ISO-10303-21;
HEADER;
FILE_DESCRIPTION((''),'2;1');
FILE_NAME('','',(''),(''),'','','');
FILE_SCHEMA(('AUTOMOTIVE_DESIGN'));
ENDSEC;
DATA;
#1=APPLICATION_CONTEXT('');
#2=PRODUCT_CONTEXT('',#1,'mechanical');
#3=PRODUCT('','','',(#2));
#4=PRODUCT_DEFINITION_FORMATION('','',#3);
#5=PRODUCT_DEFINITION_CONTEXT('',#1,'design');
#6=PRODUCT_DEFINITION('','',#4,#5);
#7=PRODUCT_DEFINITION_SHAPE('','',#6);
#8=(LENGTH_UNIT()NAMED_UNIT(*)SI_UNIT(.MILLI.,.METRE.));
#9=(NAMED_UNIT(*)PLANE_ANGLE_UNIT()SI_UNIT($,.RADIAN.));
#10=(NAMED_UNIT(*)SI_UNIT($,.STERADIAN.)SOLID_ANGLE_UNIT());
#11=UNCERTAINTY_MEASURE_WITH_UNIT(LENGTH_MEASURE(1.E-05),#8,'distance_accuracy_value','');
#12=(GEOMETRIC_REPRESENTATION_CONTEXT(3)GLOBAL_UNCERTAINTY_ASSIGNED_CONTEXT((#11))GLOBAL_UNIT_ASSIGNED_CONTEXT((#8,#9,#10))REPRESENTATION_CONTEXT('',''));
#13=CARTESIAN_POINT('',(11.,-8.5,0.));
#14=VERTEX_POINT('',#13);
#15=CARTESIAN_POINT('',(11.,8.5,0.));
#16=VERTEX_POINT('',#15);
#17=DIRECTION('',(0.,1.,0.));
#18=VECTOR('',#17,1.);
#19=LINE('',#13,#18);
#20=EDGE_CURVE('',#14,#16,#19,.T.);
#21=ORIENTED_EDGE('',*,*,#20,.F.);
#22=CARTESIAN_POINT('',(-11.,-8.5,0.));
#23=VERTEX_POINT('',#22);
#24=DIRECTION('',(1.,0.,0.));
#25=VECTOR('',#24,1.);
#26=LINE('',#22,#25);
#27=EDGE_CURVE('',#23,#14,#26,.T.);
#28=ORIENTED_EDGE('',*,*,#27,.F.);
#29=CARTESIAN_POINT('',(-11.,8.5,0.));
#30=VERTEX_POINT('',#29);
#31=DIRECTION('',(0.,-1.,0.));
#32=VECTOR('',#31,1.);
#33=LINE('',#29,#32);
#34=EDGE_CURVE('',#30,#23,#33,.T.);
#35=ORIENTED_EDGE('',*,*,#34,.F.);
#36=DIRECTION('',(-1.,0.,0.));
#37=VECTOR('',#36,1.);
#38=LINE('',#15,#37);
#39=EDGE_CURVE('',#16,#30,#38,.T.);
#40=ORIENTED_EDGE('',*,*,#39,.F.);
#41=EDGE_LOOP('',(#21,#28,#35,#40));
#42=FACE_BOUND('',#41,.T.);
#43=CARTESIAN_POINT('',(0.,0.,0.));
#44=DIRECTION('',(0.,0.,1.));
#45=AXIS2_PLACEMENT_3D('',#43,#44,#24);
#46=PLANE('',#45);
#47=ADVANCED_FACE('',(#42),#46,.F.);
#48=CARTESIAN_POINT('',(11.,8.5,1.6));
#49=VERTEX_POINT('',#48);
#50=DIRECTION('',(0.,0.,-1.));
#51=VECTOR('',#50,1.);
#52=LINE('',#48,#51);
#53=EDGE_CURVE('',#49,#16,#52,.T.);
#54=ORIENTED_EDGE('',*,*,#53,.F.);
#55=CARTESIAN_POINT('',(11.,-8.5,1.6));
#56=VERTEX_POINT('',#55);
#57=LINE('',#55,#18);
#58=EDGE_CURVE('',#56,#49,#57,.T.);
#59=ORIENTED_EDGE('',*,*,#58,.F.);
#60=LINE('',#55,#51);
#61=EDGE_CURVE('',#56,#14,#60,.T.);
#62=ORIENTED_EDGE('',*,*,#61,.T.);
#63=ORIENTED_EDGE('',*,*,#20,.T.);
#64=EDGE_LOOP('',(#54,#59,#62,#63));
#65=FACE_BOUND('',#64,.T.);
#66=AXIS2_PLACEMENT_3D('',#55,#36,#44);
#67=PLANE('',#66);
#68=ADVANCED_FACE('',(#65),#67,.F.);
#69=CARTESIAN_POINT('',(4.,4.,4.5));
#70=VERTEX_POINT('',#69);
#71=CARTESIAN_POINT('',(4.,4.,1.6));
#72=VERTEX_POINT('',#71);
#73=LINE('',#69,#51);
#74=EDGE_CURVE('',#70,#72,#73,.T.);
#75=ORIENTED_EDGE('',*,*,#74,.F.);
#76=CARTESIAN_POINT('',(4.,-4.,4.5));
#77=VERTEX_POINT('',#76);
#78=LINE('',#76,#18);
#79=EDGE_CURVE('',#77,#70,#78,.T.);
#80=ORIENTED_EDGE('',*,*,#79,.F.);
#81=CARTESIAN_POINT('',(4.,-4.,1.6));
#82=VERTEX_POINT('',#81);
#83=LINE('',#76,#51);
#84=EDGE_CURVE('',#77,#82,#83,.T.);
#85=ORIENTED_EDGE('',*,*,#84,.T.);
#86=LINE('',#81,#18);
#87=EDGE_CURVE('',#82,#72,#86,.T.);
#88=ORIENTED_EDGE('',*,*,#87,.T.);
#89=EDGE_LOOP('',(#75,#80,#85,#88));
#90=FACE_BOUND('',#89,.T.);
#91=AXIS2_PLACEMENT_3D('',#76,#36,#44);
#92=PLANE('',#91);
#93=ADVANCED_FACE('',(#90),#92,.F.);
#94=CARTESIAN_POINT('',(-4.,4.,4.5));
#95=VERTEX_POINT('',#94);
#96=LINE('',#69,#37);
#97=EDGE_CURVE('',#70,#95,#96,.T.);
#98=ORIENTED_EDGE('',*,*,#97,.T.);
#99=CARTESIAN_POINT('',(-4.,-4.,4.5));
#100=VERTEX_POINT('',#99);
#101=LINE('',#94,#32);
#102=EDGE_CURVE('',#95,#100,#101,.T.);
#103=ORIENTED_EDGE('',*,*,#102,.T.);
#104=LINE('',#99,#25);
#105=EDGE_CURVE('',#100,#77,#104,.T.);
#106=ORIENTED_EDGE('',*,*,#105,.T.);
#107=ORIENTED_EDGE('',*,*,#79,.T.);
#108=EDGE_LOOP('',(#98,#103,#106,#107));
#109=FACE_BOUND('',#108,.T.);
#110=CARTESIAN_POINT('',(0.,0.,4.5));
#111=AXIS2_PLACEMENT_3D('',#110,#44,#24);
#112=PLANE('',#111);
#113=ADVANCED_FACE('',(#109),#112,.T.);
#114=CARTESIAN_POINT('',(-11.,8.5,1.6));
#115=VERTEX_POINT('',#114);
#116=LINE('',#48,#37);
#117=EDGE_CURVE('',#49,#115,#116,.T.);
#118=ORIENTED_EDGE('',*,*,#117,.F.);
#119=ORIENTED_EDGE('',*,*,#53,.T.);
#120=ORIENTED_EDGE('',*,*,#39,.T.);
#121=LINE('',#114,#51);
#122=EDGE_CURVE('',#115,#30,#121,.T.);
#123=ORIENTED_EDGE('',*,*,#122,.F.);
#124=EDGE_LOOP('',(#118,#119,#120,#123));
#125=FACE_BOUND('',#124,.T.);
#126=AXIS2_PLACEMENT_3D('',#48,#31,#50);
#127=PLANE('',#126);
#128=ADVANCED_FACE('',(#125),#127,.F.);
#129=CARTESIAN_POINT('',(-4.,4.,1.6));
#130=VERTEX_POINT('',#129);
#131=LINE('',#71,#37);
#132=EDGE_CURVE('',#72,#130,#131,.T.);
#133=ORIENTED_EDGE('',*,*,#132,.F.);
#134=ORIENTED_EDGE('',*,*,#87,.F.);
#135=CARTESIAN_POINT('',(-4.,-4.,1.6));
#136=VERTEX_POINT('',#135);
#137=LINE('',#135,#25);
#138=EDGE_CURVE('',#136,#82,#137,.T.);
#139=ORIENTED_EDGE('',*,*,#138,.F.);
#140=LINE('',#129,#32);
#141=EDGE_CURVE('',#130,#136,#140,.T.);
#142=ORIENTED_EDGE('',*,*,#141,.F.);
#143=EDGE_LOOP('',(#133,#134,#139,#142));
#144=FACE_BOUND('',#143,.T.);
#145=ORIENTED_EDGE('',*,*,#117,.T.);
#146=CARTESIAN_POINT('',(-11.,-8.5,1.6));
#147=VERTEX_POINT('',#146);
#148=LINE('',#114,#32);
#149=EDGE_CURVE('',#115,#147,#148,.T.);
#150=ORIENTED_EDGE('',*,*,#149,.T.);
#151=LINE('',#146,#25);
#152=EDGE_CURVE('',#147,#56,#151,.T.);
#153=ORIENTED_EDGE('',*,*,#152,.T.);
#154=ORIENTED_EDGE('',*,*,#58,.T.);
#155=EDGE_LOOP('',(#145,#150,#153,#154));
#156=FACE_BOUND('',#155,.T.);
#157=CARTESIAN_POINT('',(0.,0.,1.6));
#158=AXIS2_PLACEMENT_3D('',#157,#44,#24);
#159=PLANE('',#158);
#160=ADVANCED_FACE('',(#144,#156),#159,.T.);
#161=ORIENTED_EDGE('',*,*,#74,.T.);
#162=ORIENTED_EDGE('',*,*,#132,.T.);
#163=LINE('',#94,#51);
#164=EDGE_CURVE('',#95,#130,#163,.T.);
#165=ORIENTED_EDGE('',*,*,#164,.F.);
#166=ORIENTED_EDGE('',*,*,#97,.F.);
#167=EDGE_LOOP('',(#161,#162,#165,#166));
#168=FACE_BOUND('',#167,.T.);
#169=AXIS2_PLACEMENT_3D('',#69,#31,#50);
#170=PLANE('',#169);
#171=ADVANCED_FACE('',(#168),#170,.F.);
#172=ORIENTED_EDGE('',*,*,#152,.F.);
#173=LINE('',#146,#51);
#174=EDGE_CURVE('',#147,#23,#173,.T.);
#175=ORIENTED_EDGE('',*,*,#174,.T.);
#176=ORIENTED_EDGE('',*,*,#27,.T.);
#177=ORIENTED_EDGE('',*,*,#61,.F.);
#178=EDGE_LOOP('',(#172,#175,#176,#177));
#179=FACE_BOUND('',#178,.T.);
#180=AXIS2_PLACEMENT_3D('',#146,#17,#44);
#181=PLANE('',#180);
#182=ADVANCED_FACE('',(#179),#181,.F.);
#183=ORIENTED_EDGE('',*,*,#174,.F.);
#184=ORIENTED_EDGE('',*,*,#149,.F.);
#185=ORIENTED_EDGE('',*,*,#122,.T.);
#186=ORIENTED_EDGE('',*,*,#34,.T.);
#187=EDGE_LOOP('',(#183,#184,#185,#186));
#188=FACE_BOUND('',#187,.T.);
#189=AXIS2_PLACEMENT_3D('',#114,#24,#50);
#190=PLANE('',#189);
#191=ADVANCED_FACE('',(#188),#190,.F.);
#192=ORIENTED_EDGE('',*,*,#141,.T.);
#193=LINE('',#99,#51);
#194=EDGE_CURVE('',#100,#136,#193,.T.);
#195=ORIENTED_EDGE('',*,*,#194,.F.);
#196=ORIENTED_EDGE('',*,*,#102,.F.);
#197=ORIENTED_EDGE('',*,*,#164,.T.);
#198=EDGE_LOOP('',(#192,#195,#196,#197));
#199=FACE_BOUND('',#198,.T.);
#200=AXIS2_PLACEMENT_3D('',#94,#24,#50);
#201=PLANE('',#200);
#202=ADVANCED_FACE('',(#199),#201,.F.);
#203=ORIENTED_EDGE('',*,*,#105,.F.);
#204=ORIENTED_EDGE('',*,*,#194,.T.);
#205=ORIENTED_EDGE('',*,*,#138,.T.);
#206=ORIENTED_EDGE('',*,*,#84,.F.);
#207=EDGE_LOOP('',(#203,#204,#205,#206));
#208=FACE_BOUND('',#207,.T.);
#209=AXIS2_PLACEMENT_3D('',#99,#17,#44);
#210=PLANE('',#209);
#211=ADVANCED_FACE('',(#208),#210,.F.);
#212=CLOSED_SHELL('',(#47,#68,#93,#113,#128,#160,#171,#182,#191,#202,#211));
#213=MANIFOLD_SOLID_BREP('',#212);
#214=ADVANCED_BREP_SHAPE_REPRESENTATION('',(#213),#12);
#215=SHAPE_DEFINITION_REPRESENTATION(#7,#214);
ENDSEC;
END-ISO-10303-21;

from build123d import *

# Parameters (mm, degrees)
SKETCH1_W      = 22
SKETCH1_H      = 17
PCB_DEPTH      = 1.6
SKETCH2_W      = 8
SKETCH2_H      = 8
INDUCTOR_DEPTH = 2.9


with BuildPart() as part:
    # Sketch1 → PCB (new body)
    with BuildSketch(Plane.XY):
        Rectangle(SKETCH1_W, SKETCH1_H)
    extrude(amount=PCB_DEPTH)

    # Sketch2 → Inductor (add)
    with BuildSketch(Plane.XY.offset(1.6)):
        Rectangle(SKETCH2_W, SKETCH2_H)
    extrude(amount=INDUCTOR_DEPTH)


solid = part.part
